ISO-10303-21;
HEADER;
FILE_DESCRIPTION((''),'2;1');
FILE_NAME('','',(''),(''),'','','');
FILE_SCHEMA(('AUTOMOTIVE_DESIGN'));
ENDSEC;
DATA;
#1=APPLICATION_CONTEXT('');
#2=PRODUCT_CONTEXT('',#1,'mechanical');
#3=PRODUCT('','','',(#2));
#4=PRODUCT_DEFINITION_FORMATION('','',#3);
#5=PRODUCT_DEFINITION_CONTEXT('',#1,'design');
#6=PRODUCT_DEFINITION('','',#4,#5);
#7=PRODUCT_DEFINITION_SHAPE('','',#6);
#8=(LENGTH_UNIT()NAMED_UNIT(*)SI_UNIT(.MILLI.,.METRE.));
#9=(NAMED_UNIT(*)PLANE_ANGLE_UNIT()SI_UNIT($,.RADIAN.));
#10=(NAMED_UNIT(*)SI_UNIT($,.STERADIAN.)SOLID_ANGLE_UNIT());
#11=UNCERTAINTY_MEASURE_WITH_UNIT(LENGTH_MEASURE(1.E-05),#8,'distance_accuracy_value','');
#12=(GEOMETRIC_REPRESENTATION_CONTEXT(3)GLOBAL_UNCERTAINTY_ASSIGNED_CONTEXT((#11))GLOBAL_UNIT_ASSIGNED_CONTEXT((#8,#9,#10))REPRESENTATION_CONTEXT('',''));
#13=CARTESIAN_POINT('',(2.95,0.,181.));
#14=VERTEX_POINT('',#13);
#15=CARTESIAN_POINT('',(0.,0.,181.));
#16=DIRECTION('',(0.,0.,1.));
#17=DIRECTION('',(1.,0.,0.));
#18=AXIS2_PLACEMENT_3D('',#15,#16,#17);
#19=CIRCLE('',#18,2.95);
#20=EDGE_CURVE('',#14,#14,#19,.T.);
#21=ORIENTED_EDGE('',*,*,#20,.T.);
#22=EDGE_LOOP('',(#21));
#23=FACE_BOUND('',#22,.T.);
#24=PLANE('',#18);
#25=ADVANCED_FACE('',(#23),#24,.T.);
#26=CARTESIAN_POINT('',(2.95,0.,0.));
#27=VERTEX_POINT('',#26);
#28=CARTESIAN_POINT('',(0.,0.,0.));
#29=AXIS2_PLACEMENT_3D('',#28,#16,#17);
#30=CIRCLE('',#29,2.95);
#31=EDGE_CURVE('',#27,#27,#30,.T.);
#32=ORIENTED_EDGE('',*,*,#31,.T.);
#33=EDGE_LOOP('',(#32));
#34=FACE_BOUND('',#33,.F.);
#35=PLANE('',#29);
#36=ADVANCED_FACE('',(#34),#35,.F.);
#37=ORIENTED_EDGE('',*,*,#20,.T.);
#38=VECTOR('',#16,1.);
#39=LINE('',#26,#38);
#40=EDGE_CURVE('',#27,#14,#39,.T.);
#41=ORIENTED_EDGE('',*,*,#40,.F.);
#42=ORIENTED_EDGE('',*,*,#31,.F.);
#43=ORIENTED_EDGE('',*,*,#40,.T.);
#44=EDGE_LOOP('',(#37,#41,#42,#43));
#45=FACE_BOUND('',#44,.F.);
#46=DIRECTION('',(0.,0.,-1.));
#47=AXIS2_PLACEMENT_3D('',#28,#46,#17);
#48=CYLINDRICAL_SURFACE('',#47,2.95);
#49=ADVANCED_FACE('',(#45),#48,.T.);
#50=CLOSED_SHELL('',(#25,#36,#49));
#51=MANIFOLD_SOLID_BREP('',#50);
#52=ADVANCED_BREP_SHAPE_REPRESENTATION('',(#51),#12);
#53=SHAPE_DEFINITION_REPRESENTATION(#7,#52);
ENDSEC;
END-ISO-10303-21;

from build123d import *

# Parameters (mm, degrees)
SKETCH1_R           = 2.95
BOSS_EXTRUDE1_DEPTH = 181


with BuildPart() as part:
    # Sketch1 → Boss-Extrude1 (new body)
    with BuildSketch(Plane.XY):
        Circle(SKETCH1_R)
    extrude(amount=BOSS_EXTRUDE1_DEPTH)


solid = part.part
